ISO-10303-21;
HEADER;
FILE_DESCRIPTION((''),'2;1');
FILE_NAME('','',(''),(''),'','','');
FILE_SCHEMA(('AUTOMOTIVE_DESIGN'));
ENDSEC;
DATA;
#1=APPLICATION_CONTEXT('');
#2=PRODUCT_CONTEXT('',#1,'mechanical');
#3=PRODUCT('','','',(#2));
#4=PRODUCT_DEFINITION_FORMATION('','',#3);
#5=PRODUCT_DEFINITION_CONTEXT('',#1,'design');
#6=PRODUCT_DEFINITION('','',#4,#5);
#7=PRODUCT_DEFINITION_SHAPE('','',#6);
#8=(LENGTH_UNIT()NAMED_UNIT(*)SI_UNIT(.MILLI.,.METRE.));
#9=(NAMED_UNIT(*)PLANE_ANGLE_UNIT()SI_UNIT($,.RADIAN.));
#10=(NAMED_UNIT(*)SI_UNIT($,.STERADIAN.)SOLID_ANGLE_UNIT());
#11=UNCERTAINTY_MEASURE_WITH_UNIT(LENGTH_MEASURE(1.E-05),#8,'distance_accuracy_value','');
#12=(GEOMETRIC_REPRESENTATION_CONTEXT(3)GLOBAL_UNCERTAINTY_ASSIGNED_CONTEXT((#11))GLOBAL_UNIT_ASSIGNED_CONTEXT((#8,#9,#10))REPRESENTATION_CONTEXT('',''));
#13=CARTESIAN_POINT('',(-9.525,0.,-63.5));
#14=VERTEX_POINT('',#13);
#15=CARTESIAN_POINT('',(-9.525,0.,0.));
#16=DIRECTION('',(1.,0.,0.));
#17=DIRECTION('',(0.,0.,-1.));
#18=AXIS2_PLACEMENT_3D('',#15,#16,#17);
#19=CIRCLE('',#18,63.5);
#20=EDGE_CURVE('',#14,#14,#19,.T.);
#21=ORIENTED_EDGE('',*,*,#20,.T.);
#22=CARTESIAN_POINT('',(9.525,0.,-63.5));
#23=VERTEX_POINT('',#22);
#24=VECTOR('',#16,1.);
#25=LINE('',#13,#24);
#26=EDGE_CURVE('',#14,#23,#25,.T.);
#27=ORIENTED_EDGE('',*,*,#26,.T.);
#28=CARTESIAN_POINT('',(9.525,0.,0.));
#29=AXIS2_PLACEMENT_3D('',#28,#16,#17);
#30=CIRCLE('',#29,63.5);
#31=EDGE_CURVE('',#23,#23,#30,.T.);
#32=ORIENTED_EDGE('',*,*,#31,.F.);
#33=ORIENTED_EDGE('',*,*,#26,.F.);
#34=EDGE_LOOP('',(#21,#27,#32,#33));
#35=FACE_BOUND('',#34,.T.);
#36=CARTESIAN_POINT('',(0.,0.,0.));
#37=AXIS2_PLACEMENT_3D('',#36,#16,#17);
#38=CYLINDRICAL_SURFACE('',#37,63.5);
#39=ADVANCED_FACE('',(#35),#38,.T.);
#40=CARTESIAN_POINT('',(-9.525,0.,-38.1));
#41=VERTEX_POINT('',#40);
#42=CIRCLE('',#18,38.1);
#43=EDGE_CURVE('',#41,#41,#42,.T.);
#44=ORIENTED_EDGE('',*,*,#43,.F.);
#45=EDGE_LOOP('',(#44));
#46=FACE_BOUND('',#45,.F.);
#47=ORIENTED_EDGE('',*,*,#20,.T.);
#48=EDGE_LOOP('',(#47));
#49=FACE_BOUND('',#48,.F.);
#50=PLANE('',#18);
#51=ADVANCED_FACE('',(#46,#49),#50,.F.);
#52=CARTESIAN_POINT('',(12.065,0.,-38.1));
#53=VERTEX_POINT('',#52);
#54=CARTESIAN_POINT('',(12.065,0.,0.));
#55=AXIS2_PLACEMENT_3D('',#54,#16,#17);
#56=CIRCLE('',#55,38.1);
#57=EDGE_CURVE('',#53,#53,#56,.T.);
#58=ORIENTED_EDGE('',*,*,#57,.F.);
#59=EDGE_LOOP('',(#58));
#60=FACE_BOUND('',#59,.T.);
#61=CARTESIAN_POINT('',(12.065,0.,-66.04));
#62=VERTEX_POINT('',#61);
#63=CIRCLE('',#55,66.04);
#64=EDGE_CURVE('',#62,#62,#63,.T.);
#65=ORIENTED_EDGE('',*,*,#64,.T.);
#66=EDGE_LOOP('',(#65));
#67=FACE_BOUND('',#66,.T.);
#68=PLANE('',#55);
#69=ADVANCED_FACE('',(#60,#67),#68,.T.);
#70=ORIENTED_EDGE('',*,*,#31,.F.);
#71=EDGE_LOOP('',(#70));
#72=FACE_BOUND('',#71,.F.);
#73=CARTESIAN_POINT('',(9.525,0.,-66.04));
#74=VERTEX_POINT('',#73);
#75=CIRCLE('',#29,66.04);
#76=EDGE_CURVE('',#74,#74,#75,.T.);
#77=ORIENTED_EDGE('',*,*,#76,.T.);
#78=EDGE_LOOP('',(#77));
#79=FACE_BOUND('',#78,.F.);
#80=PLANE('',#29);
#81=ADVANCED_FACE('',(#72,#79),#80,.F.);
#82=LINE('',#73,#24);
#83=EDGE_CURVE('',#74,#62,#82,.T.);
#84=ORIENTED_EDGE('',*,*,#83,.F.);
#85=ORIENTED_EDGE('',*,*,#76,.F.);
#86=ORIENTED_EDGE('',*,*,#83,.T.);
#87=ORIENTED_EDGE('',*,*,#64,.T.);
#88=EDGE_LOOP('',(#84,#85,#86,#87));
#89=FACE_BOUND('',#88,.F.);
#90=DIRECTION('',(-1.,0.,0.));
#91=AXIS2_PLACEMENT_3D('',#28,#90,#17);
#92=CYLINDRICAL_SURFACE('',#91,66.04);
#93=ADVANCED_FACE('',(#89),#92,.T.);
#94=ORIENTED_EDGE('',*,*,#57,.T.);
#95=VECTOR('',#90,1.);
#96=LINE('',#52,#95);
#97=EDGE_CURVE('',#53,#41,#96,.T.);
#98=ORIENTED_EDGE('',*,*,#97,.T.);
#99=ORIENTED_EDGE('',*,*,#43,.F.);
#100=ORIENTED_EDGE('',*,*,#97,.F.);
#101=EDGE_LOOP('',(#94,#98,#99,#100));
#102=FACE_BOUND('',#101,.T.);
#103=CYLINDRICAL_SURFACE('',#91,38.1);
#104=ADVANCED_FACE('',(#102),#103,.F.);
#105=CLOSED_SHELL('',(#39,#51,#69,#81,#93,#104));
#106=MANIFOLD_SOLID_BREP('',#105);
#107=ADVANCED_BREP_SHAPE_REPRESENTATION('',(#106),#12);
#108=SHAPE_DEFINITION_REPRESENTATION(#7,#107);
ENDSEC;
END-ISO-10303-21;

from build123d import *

# Parameters (mm, degrees)
SKETCH1_R           = 63.5
SKETCH1_R_2         = 38.1
BOSS_EXTRUDE1_DEPTH = 9.525
SKETCH2_R           = 66.04
SKETCH2_R_2         = 38.1
BOSS_EXTRUDE2_DEPTH = 2.54


with BuildPart() as part:
    # Sketch1 → Boss-Extrude1 (new body, symmetric)
    with BuildSketch(Plane(origin=(0, 0, 0), x_dir=(0, 0, -1), z_dir=(1, 0, 0))):
        Circle(SKETCH1_R)
        Circle(SKETCH1_R_2, mode=Mode.SUBTRACT)
    extrude(amount=BOSS_EXTRUDE1_DEPTH, both=True)

    # Sketch2 → Boss-Extrude2 (add)
    with BuildSketch(Plane(origin=(9.525, 0, 0), x_dir=(0, 0, -1), z_dir=(1, 0, 0))):
        Circle(SKETCH2_R)
        Circle(SKETCH2_R_2, mode=Mode.SUBTRACT)
    extrude(amount=BOSS_EXTRUDE2_DEPTH)


solid = part.part
